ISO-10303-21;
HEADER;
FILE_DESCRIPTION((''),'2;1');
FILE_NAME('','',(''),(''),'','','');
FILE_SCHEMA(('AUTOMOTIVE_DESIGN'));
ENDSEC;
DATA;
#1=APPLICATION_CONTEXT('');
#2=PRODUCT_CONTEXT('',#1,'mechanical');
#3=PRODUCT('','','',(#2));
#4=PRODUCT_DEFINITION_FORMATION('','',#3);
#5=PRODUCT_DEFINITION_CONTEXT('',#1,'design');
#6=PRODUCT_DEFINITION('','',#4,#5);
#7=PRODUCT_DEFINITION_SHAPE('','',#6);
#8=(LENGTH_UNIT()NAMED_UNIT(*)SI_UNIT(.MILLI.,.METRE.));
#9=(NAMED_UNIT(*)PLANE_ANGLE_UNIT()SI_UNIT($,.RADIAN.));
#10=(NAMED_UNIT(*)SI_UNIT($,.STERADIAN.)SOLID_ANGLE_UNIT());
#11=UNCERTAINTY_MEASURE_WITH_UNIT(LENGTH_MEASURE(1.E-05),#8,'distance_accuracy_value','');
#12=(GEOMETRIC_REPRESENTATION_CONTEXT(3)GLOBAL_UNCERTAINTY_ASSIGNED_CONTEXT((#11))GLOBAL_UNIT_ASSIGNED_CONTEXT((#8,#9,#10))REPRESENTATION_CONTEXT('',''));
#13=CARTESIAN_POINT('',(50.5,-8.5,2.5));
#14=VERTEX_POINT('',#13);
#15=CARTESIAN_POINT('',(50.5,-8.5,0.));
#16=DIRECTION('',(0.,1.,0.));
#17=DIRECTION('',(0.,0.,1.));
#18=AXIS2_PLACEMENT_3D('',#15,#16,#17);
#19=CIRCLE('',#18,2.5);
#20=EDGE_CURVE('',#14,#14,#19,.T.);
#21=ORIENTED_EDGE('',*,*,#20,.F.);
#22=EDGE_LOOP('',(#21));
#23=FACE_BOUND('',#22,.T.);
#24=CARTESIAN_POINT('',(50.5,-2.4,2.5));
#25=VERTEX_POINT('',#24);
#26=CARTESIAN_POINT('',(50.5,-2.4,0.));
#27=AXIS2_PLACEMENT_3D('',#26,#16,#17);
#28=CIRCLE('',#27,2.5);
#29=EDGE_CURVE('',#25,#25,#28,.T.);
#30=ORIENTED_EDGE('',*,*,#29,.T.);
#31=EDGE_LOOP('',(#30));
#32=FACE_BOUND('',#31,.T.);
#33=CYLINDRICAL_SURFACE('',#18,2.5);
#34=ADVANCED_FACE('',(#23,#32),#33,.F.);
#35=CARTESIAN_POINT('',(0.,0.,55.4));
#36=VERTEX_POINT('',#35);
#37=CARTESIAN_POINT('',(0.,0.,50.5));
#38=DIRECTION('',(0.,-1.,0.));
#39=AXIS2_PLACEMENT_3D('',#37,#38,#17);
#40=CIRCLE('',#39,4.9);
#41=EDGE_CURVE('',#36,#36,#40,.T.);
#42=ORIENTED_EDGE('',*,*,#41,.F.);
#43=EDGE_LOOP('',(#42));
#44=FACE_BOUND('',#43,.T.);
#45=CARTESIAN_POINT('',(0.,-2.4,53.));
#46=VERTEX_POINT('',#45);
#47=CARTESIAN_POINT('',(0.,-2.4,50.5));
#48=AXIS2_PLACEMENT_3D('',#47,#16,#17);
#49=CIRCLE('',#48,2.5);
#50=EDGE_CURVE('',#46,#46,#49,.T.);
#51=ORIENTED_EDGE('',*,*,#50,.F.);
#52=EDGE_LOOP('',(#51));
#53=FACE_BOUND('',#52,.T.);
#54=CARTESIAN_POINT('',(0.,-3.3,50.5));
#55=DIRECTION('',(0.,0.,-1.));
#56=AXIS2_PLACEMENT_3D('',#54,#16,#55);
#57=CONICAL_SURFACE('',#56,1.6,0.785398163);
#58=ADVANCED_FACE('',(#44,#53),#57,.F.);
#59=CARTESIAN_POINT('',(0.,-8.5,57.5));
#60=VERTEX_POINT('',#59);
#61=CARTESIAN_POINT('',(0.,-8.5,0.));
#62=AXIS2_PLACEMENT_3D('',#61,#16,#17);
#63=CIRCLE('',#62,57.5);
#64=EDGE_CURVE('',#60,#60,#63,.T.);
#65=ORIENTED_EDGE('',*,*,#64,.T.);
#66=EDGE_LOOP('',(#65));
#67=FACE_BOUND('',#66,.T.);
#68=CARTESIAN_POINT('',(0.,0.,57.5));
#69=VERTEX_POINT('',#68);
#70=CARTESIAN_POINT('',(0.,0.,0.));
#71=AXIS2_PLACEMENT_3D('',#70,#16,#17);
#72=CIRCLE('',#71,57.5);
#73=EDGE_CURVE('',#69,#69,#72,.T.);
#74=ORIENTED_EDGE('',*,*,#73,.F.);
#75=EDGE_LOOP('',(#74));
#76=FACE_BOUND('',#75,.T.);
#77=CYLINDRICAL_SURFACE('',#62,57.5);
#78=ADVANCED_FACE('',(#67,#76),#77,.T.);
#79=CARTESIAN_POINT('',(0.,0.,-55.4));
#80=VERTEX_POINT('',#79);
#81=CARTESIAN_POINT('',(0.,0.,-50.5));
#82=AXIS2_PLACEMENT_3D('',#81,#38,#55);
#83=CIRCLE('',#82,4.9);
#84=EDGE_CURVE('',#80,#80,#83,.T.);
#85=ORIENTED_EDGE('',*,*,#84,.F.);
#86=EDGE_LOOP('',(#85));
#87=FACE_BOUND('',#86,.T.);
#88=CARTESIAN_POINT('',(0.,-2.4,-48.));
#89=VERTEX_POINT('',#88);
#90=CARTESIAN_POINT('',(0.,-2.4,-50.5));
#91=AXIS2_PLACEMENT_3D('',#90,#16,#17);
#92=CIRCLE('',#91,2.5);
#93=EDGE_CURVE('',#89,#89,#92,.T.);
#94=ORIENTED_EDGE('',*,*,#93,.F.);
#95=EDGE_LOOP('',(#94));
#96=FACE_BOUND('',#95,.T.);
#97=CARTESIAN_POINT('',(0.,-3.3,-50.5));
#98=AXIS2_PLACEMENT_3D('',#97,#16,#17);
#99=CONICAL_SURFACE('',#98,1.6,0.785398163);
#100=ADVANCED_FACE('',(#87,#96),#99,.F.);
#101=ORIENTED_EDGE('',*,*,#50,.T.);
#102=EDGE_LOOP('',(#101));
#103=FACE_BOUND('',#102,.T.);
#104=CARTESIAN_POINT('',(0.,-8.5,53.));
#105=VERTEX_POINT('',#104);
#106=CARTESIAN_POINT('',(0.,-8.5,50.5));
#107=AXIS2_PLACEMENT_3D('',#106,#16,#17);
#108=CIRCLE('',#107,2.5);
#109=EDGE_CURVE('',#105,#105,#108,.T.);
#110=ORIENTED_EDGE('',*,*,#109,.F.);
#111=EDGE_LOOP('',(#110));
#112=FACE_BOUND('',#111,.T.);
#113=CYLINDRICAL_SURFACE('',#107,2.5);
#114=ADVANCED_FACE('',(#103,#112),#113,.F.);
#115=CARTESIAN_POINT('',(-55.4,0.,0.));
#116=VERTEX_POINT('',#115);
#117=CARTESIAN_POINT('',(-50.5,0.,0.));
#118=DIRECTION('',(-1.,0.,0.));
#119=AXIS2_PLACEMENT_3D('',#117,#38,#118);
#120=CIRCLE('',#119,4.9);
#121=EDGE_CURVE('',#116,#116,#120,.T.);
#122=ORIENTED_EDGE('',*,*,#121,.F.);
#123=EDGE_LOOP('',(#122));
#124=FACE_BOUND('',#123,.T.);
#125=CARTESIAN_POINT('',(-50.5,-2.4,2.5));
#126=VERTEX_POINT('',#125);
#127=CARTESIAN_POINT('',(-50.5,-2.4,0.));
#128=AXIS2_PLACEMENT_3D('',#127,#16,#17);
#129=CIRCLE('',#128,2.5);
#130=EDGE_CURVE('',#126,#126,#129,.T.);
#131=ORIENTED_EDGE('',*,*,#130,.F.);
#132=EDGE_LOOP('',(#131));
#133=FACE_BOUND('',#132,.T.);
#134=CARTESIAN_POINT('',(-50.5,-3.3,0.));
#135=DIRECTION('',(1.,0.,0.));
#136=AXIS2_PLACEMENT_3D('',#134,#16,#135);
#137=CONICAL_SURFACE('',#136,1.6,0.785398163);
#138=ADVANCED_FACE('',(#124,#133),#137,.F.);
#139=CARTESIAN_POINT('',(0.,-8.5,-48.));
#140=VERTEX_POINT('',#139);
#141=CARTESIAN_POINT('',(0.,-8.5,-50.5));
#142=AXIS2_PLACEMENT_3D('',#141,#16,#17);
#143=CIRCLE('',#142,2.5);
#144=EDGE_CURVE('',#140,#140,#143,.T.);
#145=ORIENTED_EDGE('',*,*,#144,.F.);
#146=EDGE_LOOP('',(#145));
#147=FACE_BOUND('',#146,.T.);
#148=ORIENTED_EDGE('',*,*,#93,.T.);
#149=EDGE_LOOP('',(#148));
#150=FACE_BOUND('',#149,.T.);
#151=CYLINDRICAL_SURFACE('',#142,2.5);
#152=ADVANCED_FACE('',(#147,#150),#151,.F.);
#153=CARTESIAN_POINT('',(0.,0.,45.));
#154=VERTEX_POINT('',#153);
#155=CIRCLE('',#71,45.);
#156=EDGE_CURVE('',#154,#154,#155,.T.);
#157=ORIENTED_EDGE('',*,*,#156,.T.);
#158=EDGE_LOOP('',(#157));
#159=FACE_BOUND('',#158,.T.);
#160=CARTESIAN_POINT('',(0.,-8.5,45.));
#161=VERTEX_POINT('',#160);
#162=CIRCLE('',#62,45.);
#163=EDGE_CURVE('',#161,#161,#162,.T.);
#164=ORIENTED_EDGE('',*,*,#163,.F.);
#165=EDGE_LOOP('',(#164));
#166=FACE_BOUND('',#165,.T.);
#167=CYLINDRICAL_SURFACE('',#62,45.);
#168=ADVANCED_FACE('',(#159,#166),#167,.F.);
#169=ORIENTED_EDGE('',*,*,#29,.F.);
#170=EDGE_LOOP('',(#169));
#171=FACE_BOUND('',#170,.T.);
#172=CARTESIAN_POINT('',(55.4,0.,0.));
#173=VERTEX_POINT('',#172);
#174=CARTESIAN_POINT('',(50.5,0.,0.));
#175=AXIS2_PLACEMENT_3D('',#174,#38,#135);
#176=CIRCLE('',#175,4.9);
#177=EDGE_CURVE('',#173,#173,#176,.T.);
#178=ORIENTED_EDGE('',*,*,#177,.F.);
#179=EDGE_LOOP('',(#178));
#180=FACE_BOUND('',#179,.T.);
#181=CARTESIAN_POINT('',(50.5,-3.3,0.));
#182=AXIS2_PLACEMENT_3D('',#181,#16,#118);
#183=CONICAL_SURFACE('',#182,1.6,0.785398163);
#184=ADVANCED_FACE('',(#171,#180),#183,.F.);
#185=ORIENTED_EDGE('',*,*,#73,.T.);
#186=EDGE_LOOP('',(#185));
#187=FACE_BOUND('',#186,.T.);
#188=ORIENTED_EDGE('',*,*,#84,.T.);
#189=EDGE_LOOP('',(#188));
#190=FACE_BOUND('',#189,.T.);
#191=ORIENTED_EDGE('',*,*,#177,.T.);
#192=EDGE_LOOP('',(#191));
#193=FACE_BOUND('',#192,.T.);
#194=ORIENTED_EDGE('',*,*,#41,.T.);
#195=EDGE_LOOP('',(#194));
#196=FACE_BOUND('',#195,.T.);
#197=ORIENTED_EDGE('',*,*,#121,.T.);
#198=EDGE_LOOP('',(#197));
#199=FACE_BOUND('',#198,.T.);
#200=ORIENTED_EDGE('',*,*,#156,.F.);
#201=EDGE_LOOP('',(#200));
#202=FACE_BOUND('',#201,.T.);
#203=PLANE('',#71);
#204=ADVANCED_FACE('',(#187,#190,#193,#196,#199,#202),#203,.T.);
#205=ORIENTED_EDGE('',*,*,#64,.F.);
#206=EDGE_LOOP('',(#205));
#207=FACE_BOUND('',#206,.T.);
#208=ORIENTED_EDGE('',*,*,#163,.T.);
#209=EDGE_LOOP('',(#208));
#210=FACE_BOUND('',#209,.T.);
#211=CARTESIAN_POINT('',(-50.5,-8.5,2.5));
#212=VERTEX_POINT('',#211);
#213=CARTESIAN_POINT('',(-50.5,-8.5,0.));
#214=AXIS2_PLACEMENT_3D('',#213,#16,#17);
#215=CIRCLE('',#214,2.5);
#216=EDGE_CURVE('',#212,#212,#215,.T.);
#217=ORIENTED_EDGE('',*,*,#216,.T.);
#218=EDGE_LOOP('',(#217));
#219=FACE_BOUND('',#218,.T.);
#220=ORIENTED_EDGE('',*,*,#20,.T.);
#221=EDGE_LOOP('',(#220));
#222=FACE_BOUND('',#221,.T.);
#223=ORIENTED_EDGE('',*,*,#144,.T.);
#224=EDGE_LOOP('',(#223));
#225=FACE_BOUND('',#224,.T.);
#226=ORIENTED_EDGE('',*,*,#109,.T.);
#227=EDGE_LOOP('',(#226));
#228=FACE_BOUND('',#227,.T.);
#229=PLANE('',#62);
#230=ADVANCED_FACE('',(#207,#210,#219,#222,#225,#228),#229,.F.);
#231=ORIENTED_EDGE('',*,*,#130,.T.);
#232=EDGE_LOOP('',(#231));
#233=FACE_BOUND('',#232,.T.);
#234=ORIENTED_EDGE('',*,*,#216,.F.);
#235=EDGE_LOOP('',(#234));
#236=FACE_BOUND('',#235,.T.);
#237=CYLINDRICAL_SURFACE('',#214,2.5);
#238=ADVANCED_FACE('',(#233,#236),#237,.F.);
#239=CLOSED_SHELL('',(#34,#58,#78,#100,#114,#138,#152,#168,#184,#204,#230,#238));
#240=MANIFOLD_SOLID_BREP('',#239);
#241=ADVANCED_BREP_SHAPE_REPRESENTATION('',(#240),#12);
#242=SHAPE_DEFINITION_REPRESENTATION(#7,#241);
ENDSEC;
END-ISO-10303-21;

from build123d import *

# Parameters (mm, degrees)
SKETCH_1_R               = 57.5
SKETCH_1_R_2             = 45
SKETCH_1_R_3             = 2.5
EXTRUDE_1_DEPTH          = 8.5
PATTERN_CIRCULAR_1_COUNT = 4


with BuildPart() as part:
    # 草图1 → 凸台-拉伸1 (new body)
    with BuildSketch(Plane(origin=(0, 0, 0), x_dir=(1, 0, 0), z_dir=(0, 1, 0))):
        Circle(SKETCH_1_R)
        Circle(SKETCH_1_R_2, mode=Mode.SUBTRACT)
        with Locations((0, 50.5)):
            Circle(SKETCH_1_R_3, mode=Mode.SUBTRACT)
        with Locations((50.5, 0)):
            Circle(SKETCH_1_R_3, mode=Mode.SUBTRACT)
        with Locations((0, -50.5)):
            Circle(SKETCH_1_R_3, mode=Mode.SUBTRACT)
        with Locations((-50.5, 0)):
            Circle(SKETCH_1_R_3, mode=Mode.SUBTRACT)
    extrude(amount=-EXTRUDE_1_DEPTH)

    # 草图2 → 切除-旋转1 (revolve, cut)
    with BuildSketch(Plane.XY.offset(-50.5)):
        Polygon((0, 0), (4.9, 0), (1.6, -3.3), (0, -3.3), align=None)
    cut_revolve_1 = revolve(axis=Axis((0, -3.3, -50.5), (0, 1, 0)), mode=Mode.SUBTRACT)

    # 阵列(圆周)1: 切除-旋转1 ×4 about axis
    pattern_circular_1_axis = Axis((0, -8.5, 0), (0, 1, 0))
    for i in range(1, PATTERN_CIRCULAR_1_COUNT):
        add(cut_revolve_1.rotate(pattern_circular_1_axis, i * 360 / PATTERN_CIRCULAR_1_COUNT), mode=Mode.SUBTRACT)


solid = part.part
